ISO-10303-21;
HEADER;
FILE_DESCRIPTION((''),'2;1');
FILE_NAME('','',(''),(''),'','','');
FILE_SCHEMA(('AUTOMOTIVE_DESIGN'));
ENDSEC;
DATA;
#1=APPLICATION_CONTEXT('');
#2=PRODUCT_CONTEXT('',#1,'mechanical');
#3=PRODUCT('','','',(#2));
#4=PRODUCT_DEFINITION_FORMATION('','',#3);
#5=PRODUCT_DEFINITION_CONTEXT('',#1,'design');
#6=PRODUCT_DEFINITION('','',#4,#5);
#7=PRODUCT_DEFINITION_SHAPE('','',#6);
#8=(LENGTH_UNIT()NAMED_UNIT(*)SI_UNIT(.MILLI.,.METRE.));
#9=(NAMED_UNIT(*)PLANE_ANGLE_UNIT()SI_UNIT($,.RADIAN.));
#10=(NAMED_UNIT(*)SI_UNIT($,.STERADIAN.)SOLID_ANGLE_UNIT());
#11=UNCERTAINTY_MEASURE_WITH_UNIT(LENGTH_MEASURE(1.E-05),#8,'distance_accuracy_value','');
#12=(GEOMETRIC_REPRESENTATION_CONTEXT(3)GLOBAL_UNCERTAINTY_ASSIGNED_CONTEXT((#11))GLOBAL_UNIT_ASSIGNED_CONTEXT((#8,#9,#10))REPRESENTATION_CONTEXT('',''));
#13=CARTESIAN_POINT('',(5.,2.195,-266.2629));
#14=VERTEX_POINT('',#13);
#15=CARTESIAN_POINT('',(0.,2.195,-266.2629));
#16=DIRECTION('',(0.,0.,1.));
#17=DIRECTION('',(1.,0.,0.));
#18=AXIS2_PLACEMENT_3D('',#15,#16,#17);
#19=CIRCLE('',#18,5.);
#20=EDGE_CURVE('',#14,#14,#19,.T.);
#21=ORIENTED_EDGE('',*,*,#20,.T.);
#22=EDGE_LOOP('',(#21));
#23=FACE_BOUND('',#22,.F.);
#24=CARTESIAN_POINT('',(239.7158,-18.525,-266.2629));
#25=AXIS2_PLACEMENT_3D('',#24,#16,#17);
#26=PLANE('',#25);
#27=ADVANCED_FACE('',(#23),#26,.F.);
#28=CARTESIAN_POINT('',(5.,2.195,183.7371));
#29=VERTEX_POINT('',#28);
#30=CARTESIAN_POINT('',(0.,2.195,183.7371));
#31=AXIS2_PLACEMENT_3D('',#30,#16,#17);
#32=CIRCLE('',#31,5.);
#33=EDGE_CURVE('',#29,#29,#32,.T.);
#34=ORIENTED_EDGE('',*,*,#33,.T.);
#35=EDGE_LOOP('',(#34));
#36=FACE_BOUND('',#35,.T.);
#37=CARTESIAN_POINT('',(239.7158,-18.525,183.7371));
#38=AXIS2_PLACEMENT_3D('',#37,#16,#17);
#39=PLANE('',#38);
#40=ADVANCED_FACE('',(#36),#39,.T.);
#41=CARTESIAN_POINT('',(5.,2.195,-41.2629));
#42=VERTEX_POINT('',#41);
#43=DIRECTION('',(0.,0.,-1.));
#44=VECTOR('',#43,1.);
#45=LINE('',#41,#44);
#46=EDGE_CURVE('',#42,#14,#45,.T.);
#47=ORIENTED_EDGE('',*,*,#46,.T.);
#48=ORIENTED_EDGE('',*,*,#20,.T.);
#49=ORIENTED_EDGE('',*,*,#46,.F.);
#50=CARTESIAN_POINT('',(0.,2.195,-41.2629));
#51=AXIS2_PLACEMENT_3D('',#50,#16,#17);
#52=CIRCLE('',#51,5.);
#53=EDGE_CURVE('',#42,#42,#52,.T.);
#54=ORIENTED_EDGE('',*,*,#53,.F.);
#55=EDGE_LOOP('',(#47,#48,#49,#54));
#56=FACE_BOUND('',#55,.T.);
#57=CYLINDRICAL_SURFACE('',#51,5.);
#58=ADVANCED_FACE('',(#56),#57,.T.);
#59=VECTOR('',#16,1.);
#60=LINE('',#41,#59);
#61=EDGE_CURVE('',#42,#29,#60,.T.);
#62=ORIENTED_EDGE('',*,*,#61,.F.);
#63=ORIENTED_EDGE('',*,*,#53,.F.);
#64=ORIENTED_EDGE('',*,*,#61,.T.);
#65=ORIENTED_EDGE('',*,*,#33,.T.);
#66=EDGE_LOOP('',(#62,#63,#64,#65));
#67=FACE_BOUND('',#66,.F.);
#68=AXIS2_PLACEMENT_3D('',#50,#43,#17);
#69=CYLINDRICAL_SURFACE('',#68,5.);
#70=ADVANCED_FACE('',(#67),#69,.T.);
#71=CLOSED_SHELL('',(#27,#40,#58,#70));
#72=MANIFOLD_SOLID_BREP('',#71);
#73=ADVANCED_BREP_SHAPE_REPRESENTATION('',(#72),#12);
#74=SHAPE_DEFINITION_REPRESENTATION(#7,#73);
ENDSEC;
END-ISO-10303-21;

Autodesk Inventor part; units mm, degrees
ref_plane "YZ Plane" through (0, 0, 0) normal (1, 0, 0) x (0, 1, 0)
ref_plane "XZ Plane" through (0, 0, 0) normal (0, 1, 0) x (-1, 0, 0)
ref_plane "XY Plane" through (0, 0, 0) normal (0, 0, 1) x (1, 0, 0)
ref_plane "Work Plane1" through (239.7158, -18.525, -41.2629) normal (0, 0, 1) x (1, 0, 0)
sketch "Sketch1" plane through (239.7158, -18.525, -41.2629) normal (0, 0, 1) x (1, 0, 0)
  circle A0 centre (-239.7158, 20.72) radius 3.5 construction
  circle A1 centre (-239.7158, 20.72) radius 5
  point P0 (-239.7158, 18.525)
  dimension "d0" = 10
extrude "Extrusion1" add sketch "Sketch1" along normal mid plane 450
properties part number "barra X"
